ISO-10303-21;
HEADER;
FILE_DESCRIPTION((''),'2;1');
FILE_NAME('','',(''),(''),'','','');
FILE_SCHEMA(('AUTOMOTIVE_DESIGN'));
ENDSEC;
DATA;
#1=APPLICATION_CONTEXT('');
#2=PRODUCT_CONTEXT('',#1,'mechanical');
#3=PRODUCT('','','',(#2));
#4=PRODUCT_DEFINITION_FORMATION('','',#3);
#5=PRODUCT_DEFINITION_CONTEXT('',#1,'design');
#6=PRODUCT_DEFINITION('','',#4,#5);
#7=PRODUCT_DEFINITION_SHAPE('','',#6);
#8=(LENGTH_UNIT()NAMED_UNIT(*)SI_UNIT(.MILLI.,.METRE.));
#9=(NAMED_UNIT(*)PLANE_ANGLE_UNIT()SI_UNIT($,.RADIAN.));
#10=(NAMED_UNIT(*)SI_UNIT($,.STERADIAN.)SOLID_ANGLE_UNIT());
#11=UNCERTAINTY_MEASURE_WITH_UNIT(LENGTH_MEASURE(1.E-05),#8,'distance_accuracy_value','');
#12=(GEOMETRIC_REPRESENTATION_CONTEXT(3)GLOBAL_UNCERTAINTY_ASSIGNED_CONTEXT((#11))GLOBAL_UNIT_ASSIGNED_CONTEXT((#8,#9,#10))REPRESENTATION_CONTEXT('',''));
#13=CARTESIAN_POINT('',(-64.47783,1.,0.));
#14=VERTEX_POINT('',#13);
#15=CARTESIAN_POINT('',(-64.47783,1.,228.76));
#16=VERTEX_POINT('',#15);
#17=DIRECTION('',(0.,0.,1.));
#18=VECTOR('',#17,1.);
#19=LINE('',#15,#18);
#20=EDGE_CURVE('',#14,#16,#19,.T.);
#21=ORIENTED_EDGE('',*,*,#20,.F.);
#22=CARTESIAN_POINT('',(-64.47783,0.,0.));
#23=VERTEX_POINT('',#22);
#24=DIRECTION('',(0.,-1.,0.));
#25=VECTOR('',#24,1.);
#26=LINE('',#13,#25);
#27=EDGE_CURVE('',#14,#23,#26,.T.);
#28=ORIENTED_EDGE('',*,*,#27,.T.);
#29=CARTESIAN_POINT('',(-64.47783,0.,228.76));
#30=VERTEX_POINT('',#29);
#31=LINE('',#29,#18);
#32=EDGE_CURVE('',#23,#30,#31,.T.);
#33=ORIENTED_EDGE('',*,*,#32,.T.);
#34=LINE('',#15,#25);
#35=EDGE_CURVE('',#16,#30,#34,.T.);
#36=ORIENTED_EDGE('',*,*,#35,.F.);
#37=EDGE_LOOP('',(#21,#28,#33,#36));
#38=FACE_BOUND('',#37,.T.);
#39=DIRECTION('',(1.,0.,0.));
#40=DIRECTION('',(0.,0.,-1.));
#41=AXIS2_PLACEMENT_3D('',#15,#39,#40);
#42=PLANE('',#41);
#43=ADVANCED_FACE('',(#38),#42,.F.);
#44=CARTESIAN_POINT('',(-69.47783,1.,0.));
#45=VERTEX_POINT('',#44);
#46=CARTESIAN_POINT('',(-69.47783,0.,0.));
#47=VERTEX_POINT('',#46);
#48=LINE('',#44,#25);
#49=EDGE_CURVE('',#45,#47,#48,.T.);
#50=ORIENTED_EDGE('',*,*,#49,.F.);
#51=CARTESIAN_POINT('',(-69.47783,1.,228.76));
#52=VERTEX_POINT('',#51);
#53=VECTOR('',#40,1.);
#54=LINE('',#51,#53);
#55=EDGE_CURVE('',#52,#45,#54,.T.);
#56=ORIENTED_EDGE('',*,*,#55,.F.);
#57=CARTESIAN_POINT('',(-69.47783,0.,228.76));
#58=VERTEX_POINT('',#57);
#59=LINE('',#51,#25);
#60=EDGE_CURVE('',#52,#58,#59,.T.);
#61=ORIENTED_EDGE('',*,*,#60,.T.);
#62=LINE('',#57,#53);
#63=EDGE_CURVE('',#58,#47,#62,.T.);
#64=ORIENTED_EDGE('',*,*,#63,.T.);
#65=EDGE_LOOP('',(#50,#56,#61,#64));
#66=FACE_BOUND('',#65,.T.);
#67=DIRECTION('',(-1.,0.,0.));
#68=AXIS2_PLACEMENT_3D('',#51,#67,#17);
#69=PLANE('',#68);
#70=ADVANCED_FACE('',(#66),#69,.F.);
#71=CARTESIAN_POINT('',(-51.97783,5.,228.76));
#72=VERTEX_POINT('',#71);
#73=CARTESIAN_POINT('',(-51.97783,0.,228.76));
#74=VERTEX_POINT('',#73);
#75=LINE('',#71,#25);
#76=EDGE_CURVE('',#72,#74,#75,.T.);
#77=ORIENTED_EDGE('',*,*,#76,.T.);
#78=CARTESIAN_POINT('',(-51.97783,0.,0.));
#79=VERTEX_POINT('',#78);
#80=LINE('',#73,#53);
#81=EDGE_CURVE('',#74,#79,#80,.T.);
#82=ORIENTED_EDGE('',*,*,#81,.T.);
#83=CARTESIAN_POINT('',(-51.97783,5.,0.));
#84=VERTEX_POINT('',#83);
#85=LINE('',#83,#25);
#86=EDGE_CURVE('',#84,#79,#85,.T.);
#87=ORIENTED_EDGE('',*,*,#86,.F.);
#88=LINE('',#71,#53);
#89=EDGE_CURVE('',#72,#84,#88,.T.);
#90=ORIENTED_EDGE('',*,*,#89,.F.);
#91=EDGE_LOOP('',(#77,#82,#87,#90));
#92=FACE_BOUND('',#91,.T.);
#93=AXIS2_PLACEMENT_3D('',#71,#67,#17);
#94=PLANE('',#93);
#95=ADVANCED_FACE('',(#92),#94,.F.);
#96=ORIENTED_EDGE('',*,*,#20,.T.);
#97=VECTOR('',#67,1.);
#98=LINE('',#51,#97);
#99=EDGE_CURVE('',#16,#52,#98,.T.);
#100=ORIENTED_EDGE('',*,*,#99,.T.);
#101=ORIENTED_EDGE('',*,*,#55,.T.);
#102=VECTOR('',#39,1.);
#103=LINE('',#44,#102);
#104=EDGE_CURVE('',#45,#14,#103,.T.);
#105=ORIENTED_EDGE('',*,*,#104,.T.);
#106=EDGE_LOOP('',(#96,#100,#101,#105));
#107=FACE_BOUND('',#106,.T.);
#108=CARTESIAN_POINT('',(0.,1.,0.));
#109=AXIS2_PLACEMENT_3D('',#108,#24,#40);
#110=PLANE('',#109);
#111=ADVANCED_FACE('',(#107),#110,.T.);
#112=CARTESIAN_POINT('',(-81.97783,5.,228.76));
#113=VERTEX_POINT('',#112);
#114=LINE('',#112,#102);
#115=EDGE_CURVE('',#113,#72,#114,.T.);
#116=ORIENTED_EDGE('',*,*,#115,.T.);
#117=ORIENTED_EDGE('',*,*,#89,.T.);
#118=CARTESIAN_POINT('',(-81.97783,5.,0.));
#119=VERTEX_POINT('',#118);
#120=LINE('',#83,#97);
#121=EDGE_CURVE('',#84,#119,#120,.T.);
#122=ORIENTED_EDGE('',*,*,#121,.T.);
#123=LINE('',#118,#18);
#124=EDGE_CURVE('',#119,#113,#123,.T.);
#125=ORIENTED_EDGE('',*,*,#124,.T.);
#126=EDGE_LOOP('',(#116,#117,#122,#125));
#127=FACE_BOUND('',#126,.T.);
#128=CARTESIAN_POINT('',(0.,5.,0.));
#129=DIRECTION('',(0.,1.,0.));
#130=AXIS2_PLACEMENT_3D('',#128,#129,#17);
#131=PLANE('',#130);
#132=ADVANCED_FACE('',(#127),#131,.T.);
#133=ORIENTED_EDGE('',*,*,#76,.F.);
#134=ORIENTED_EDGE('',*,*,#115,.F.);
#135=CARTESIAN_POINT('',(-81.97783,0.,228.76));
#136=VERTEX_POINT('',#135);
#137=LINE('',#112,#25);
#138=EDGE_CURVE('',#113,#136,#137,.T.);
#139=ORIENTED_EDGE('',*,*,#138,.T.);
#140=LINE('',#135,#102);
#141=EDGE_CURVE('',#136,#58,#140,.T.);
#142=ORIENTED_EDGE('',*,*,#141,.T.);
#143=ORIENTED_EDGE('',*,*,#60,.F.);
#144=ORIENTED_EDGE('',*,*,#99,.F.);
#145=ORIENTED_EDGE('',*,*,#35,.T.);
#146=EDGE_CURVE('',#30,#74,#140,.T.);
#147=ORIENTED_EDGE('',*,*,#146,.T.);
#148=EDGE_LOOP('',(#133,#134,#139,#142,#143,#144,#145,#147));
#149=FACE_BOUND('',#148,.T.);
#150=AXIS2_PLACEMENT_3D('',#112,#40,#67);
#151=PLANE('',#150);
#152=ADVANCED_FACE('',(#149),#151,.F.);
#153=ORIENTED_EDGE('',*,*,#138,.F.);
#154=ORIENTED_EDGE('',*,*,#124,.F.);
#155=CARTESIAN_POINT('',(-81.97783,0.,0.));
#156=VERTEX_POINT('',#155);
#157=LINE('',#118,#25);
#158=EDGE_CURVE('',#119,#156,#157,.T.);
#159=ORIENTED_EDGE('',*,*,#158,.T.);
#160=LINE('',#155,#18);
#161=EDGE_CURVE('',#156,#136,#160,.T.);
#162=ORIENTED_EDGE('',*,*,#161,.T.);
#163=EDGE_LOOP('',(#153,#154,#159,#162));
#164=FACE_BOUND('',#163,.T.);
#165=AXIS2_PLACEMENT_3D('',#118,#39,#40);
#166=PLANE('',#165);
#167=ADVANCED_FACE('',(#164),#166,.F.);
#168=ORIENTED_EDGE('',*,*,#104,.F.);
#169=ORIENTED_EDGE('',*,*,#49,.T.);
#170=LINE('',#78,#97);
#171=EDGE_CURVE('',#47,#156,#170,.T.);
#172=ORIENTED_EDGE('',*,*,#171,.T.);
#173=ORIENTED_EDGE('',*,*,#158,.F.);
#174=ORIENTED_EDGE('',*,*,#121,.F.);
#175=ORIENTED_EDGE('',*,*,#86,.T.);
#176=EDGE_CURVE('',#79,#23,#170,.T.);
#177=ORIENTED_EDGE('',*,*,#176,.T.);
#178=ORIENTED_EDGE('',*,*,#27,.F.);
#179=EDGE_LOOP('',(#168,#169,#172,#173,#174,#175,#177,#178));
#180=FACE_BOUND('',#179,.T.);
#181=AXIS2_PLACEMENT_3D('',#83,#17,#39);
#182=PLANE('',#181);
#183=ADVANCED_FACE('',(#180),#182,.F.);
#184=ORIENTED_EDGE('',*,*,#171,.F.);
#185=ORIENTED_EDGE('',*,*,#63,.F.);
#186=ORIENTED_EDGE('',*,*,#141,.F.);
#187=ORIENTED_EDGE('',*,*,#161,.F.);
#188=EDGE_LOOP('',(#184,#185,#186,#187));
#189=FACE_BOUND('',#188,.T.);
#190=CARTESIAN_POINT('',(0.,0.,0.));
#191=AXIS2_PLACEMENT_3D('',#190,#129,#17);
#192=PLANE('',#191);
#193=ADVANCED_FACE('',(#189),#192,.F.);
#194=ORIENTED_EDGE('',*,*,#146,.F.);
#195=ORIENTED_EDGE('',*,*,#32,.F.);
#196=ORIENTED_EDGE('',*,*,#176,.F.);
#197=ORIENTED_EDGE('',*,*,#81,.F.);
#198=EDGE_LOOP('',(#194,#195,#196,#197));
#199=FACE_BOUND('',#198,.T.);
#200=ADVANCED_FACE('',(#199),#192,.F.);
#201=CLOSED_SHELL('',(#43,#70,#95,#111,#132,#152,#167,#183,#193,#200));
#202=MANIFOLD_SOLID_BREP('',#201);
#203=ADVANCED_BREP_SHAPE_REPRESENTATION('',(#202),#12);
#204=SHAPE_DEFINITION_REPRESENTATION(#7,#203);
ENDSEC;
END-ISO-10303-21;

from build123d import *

# Parameters (mm, degrees)
SKETCH_1_W          = 30
SKETCH_1_H          = 228.76
EXTRUDE_1_DEPTH     = 5
SKETCH_2_W          = 5
SKETCH_2_H          = 228.76
CUT_EXTRUDE_1_DEPTH = 1


with BuildPart() as part:
    # 草图1 → 凸台-拉伸1 (new body)
    with BuildSketch(Plane(origin=(0, 0, 0), x_dir=(1, 0, 0), z_dir=(0, 1, 0))):
        with Locations((-66.977829922, -114.38)):
            Rectangle(SKETCH_1_W, SKETCH_1_H)
    extrude(amount=EXTRUDE_1_DEPTH)

    # 草图2 → 切除-拉伸1 (cut)
    with BuildSketch(Plane.XZ):
        with Locations((-66.977829922, 114.38)):
            Rectangle(SKETCH_2_W, SKETCH_2_H)
    extrude(amount=-CUT_EXTRUDE_1_DEPTH, mode=Mode.SUBTRACT)


solid = part.part
